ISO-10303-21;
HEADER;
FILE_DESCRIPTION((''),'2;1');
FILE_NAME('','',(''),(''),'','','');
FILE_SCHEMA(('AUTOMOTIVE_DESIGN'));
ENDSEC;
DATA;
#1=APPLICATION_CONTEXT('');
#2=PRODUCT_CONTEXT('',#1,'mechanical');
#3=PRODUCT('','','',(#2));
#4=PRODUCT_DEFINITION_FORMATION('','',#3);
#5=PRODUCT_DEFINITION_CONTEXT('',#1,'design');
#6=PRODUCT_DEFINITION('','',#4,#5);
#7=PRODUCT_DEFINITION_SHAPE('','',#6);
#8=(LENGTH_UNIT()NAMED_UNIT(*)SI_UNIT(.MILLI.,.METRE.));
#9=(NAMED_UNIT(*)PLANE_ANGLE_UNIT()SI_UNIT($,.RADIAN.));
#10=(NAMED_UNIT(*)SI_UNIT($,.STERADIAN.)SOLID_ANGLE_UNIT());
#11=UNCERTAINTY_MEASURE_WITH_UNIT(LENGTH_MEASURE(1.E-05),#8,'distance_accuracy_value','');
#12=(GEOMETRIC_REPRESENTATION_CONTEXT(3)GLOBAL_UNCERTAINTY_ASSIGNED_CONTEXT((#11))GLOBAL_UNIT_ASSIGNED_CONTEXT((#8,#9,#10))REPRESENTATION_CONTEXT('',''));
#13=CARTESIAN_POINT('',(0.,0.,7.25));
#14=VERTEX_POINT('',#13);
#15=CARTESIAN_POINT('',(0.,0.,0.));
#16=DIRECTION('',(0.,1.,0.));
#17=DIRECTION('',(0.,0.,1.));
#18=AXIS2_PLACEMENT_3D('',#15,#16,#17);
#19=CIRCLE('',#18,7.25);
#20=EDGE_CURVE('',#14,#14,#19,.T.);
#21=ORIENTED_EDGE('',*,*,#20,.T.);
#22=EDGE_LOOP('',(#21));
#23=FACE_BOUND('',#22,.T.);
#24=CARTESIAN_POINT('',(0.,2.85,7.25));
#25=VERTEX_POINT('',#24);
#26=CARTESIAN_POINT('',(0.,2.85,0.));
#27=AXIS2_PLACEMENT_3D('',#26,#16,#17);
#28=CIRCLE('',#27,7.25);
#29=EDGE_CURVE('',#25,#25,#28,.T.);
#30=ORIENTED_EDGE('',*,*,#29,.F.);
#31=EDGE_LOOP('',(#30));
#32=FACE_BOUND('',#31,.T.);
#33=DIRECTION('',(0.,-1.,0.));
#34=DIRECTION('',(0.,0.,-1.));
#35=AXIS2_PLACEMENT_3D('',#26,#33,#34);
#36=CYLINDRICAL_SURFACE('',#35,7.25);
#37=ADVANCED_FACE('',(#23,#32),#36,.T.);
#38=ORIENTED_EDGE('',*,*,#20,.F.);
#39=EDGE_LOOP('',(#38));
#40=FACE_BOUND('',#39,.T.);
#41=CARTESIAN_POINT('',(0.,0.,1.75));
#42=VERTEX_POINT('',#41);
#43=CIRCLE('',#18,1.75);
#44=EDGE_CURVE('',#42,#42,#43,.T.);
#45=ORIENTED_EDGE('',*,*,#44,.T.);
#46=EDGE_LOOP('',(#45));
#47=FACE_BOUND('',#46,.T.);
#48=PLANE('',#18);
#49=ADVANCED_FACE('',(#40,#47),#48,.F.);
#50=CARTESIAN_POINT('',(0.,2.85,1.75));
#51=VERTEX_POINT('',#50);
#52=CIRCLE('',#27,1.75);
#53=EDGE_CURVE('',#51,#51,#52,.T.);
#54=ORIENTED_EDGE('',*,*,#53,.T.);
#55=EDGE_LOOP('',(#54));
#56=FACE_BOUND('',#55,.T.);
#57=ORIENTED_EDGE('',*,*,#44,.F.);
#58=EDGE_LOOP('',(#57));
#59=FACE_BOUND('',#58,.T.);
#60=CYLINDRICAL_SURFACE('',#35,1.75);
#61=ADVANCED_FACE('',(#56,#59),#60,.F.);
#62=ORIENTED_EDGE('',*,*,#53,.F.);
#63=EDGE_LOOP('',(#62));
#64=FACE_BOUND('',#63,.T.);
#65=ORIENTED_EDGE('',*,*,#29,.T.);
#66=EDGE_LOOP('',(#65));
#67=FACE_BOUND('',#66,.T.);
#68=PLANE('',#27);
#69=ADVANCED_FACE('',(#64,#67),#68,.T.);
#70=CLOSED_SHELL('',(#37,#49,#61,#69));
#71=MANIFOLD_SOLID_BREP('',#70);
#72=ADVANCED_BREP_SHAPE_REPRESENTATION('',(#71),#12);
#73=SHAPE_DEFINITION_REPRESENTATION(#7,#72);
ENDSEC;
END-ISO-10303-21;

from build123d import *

# Parameters (mm, degrees)
SKETCH1_R           = 7.25
SKETCH1_R_2         = 1.75
BOSS_EXTRUDE1_DEPTH = 2.85


with BuildPart() as part:
    # Sketch1 → Boss-Extrude1 (new body)
    with BuildSketch(Plane(origin=(0, 0, 0), x_dir=(1, 0, 0), z_dir=(0, 1, 0))):
        with Locations(Location((0, 0, 0), (0, 0, 270))):
            Circle(SKETCH1_R)
        with Locations(Location((0, 0, 0), (0, 0, 270))):
            Circle(SKETCH1_R_2, mode=Mode.SUBTRACT)
    extrude(amount=BOSS_EXTRUDE1_DEPTH)


solid = part.part
